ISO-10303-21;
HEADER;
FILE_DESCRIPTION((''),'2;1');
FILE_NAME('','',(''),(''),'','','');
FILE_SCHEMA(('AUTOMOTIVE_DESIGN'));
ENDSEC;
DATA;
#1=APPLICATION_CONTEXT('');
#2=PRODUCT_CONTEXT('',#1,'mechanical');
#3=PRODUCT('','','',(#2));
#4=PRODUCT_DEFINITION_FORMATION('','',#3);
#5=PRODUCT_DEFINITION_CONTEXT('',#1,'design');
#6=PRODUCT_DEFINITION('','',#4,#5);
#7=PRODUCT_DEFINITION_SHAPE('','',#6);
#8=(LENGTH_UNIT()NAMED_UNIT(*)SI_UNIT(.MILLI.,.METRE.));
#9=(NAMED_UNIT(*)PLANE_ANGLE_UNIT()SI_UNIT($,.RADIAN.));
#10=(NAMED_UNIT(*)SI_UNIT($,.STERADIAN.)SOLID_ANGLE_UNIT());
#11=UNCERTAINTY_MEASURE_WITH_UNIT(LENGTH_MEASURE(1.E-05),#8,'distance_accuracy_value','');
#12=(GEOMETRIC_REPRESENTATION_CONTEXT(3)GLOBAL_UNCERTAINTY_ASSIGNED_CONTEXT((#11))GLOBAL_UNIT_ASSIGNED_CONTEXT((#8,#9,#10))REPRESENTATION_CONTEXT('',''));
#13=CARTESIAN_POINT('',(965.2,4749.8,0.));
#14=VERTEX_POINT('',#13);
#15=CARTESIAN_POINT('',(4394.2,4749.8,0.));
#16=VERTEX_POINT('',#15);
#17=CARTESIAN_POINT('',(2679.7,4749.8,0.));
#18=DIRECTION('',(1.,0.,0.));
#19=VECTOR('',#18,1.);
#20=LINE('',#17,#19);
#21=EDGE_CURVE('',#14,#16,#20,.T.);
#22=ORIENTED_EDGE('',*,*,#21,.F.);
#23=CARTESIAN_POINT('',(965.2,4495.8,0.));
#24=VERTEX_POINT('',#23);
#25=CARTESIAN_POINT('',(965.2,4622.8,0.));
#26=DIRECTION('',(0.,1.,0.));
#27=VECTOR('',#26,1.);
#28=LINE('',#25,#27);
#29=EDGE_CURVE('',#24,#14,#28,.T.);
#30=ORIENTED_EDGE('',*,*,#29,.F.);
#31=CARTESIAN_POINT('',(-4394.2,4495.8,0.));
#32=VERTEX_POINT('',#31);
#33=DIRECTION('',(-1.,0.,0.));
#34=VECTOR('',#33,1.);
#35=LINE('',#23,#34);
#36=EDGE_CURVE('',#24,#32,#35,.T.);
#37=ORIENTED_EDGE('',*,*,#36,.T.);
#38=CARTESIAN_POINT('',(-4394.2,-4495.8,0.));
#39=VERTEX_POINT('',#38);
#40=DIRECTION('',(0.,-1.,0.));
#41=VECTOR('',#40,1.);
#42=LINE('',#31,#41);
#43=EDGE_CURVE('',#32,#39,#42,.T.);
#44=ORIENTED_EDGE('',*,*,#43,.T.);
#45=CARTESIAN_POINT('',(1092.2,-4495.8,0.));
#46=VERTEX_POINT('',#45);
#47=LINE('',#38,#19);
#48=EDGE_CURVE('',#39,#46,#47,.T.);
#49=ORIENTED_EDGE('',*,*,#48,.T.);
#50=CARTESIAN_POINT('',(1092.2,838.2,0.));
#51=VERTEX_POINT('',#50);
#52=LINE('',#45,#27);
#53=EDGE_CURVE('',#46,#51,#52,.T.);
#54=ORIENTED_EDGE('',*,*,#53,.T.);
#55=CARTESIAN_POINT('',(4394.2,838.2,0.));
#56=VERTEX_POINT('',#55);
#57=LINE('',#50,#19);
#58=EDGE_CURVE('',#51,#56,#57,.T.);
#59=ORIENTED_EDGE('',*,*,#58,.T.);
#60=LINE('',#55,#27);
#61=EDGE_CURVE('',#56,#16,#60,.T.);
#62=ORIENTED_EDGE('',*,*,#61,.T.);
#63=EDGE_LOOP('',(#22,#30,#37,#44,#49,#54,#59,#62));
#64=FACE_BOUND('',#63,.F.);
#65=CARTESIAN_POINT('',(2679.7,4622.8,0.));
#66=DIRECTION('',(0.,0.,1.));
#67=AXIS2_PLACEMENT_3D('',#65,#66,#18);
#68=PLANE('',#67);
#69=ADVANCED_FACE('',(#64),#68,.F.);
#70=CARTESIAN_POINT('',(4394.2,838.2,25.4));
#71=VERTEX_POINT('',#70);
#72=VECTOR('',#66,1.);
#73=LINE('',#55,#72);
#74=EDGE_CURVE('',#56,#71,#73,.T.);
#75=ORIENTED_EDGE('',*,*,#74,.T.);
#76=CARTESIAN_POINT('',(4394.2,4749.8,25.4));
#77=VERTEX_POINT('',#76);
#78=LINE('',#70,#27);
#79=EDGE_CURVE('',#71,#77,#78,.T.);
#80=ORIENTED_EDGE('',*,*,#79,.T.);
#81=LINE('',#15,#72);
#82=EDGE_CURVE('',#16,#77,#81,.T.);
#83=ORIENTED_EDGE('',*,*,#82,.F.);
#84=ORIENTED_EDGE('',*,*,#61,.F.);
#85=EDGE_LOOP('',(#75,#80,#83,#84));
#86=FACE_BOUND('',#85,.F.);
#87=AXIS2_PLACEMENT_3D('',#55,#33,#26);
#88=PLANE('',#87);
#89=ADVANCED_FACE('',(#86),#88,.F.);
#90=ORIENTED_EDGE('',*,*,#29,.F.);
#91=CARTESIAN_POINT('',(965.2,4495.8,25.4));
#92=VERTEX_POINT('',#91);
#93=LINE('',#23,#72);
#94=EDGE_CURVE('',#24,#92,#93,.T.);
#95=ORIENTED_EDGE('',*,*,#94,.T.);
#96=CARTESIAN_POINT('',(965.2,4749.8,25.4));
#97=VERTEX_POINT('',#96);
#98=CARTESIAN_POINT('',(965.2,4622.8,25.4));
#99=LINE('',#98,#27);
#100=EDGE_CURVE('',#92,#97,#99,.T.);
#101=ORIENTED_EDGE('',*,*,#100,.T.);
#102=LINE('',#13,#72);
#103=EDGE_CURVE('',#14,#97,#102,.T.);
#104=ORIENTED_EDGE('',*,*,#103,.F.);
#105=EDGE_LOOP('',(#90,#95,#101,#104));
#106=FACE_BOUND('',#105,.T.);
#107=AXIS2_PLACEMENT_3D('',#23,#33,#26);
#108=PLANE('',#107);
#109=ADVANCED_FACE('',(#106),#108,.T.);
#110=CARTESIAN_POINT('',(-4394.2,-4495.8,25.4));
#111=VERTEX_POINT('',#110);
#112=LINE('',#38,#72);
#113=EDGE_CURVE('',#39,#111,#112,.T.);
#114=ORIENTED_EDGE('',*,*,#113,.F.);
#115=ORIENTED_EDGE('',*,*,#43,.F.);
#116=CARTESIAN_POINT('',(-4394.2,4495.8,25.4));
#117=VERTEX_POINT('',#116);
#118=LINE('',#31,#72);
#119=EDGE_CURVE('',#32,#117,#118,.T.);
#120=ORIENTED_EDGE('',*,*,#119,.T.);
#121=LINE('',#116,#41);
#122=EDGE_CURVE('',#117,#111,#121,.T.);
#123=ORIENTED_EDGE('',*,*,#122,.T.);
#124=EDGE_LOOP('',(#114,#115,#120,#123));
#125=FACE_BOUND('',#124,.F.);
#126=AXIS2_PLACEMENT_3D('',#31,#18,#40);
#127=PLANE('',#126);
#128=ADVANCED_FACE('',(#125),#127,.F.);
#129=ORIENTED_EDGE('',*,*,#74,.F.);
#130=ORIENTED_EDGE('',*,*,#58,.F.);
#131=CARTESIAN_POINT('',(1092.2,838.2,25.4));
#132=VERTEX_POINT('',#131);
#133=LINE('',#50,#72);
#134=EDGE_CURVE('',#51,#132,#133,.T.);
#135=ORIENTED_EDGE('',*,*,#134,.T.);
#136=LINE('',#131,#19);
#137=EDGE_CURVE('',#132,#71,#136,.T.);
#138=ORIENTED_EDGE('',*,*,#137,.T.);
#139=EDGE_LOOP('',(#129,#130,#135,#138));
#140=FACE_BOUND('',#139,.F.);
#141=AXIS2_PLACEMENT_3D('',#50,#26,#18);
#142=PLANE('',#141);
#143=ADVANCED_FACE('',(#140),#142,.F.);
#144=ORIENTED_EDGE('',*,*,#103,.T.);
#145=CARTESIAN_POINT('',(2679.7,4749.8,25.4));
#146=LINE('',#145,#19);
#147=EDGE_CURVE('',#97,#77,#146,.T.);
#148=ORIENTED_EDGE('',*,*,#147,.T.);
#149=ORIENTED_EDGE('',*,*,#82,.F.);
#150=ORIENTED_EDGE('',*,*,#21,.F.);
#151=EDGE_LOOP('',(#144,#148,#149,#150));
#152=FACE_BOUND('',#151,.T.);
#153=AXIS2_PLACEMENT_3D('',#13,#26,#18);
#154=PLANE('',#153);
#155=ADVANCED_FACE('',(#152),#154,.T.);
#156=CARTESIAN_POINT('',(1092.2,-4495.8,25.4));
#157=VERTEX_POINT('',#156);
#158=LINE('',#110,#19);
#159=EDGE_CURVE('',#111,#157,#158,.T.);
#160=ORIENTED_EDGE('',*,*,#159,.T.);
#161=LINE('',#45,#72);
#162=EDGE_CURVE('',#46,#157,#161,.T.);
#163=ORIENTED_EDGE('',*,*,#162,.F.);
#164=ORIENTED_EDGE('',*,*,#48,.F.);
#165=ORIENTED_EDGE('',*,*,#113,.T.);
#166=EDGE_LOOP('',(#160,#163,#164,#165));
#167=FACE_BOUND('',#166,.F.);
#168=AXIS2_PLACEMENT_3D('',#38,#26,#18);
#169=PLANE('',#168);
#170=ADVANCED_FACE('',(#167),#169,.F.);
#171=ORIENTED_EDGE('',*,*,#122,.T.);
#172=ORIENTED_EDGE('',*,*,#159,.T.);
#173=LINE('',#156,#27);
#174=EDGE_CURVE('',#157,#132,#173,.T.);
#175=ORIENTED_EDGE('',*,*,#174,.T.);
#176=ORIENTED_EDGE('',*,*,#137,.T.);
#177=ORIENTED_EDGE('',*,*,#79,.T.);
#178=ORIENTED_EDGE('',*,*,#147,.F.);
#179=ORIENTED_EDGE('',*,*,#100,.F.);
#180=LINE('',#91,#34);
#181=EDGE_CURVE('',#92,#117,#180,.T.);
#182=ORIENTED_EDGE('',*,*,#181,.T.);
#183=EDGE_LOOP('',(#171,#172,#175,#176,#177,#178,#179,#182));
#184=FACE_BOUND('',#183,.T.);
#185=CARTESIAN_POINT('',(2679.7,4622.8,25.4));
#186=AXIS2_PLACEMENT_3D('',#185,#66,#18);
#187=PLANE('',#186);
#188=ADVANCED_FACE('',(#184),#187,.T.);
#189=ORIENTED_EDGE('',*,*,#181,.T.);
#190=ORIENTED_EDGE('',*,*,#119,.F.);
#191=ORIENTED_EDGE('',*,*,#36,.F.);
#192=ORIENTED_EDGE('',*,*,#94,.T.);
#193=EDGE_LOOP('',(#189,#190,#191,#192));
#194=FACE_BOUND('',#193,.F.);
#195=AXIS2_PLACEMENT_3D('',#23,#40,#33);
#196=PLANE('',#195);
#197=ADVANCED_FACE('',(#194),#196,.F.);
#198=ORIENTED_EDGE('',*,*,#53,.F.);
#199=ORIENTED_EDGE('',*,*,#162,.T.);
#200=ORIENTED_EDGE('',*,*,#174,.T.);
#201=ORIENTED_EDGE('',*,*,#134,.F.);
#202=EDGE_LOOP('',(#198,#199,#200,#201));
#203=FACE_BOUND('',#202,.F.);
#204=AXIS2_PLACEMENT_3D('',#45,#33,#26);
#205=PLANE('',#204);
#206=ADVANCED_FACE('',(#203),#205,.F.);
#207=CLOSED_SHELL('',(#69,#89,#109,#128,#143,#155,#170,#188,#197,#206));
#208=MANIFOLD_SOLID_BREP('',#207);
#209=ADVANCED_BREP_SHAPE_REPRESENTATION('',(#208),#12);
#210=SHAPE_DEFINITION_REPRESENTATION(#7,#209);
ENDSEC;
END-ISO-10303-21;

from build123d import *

# Parameters (mm, degrees)
F0_W     = 3429
F0_H     = 254
F1_DEPTH = 25.4


with BuildPart() as f1:
    # F0 (on Top) → F1 (new body)
    with BuildSketch(Plane.XY):
        with Locations((2679.7, 4622.8)):
            Rectangle(F0_W, F0_H)
        Polygon((965.2, 4495.8), (-4394.2, 4495.8), (-4394.2, -4495.8), (1092.2, -4495.8), (1092.2, 838.2), (4394.2, 838.2), (4394.2, 4495.8), align=None)
    extrude(amount=F1_DEPTH)


solid = f1.part
